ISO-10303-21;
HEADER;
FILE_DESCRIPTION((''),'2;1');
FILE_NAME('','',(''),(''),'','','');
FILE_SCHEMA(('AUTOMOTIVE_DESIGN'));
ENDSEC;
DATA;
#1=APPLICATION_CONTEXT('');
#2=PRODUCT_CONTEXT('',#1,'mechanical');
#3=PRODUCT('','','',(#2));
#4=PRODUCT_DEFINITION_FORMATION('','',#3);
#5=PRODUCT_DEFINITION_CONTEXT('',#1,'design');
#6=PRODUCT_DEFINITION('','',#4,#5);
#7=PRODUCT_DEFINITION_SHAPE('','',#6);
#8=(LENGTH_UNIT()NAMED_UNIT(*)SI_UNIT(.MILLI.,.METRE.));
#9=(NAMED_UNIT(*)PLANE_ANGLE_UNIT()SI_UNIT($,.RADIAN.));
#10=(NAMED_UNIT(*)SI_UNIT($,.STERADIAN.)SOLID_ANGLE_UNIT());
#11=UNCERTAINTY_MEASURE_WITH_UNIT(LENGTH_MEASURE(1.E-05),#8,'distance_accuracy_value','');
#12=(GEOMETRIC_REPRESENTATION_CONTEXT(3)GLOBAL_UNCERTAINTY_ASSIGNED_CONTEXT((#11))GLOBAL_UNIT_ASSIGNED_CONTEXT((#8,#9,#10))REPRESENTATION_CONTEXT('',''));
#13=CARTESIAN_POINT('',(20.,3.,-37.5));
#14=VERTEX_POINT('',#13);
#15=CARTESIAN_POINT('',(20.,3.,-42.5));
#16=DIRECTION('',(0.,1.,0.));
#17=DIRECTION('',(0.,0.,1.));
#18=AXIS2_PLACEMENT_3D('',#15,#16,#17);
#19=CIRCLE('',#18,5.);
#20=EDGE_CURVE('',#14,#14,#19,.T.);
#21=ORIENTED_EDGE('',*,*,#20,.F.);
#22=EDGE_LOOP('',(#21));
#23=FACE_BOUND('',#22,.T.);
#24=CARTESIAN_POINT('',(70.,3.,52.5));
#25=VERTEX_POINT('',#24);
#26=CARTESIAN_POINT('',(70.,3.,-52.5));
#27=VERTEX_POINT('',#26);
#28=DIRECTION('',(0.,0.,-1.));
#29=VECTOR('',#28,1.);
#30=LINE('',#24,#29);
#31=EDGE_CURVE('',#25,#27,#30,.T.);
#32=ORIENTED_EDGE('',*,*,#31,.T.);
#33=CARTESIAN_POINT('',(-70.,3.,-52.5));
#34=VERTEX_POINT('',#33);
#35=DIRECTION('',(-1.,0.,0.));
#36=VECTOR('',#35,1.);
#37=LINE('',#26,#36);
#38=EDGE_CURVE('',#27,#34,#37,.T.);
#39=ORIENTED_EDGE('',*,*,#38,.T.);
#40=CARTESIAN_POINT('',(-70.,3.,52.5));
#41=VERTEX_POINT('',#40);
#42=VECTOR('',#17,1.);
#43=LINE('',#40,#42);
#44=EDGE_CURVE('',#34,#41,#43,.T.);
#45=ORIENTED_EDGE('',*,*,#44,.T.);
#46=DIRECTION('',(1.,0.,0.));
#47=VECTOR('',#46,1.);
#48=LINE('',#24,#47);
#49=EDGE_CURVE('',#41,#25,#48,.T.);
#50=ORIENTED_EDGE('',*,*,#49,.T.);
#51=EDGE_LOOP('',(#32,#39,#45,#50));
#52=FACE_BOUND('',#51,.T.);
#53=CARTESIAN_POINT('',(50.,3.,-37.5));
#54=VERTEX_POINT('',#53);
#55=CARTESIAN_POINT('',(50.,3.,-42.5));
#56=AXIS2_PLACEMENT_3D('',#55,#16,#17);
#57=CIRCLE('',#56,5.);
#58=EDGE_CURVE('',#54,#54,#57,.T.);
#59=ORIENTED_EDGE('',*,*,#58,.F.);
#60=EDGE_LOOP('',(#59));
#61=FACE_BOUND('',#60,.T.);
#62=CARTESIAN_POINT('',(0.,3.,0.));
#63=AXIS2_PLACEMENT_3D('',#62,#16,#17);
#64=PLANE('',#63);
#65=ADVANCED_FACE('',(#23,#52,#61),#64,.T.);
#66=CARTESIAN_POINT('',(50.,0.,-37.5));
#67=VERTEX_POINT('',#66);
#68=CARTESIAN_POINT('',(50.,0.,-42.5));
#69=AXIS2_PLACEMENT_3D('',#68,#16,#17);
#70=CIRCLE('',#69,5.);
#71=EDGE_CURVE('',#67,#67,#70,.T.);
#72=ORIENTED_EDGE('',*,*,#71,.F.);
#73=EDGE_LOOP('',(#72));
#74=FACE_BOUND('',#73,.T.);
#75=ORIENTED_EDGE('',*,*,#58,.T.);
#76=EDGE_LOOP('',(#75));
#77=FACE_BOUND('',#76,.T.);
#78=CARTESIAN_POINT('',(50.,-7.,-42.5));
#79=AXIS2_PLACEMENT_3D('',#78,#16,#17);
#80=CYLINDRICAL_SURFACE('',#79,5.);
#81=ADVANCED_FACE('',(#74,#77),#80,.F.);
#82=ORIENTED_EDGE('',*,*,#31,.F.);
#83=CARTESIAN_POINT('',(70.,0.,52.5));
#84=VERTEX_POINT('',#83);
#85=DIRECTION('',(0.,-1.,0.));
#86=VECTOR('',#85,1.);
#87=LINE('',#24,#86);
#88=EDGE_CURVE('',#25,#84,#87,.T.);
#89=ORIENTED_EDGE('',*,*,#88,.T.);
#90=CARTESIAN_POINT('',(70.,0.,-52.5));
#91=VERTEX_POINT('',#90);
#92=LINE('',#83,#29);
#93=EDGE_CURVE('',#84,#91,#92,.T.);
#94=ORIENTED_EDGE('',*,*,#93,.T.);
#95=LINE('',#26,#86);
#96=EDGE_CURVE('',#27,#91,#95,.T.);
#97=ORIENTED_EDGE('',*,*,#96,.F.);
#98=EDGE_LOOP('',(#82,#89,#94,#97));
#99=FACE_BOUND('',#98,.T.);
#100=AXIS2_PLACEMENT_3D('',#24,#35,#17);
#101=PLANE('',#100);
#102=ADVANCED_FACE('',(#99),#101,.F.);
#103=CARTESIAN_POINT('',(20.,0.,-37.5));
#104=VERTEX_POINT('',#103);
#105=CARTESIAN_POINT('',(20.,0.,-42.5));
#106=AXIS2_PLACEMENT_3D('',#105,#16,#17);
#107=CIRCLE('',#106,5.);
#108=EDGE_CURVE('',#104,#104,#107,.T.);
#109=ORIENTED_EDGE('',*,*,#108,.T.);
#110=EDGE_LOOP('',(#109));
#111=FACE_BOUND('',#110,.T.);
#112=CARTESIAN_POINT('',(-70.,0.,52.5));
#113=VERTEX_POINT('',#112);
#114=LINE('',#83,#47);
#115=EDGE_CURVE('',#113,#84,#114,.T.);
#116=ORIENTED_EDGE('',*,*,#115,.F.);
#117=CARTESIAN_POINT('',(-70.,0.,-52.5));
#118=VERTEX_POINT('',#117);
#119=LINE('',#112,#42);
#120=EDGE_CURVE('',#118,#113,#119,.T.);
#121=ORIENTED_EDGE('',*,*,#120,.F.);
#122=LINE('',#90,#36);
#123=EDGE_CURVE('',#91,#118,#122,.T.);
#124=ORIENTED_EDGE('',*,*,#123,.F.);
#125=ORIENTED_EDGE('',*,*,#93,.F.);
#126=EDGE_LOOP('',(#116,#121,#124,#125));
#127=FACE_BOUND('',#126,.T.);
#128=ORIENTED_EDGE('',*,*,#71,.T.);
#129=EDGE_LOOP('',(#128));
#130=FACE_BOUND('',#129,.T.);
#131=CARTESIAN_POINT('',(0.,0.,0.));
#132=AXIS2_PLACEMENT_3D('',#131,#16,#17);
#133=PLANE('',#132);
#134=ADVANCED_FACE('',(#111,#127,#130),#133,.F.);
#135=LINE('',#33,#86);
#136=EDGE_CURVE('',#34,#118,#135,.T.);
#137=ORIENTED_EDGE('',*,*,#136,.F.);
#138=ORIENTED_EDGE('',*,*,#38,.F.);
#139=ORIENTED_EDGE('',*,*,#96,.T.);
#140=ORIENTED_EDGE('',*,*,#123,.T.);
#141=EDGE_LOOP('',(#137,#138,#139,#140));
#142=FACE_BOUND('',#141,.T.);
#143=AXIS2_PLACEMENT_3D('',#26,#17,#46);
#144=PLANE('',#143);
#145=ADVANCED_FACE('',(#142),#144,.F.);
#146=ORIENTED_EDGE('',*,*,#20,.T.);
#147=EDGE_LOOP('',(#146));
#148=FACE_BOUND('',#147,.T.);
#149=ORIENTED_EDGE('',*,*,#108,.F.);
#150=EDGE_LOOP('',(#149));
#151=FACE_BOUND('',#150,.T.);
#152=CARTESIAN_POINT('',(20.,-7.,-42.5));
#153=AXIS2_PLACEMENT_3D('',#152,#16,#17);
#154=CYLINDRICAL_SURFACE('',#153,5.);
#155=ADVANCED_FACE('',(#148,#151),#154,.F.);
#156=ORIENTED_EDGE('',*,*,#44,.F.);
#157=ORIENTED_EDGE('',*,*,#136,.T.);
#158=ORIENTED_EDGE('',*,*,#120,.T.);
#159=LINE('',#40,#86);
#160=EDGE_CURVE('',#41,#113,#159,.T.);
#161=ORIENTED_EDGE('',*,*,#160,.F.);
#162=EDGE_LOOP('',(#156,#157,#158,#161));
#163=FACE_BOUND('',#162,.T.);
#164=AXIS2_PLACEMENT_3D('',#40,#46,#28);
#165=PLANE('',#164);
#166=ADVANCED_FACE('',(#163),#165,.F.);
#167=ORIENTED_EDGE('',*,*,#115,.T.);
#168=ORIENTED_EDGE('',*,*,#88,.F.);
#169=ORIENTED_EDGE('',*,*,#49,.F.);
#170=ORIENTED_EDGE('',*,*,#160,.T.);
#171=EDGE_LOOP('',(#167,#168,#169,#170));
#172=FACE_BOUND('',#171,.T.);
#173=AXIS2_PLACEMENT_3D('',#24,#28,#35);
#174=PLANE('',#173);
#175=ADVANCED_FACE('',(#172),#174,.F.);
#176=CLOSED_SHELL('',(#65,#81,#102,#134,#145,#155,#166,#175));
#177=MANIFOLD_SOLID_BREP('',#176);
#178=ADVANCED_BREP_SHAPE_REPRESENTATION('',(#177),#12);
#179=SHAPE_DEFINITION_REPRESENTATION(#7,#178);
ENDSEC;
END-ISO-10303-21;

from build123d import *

# Parameters (mm, degrees)
SKETCH1_W           = 140
SKETCH1_H           = 105
BOSS_EXTRUDE1_DEPTH = 3
SKETCH2_R           = 5
CUT_EXTRUDE1_DEPTH  = 10


with BuildPart() as part:
    # Sketch1 → Boss-Extrude1 (new body)
    with BuildSketch(Plane(origin=(0, 0, 0), x_dir=(1, 0, 0), z_dir=(0, 1, 0))):
        Rectangle(SKETCH1_W, SKETCH1_H)
    extrude(amount=BOSS_EXTRUDE1_DEPTH)

    # Sketch2 → Cut-Extrude1 (cut)
    with BuildSketch(Plane(origin=(0, 3, 0), x_dir=(1, 0, 0), z_dir=(0, 1, 0))):
        with Locations(Location((50, 42.5, 0), (0, 0, 270))):
            Circle(SKETCH2_R)
        with Locations(Location((20, 42.5, 0), (0, 0, 270))):
            Circle(SKETCH2_R)
    extrude(amount=-CUT_EXTRUDE1_DEPTH, mode=Mode.SUBTRACT)


solid = part.part
